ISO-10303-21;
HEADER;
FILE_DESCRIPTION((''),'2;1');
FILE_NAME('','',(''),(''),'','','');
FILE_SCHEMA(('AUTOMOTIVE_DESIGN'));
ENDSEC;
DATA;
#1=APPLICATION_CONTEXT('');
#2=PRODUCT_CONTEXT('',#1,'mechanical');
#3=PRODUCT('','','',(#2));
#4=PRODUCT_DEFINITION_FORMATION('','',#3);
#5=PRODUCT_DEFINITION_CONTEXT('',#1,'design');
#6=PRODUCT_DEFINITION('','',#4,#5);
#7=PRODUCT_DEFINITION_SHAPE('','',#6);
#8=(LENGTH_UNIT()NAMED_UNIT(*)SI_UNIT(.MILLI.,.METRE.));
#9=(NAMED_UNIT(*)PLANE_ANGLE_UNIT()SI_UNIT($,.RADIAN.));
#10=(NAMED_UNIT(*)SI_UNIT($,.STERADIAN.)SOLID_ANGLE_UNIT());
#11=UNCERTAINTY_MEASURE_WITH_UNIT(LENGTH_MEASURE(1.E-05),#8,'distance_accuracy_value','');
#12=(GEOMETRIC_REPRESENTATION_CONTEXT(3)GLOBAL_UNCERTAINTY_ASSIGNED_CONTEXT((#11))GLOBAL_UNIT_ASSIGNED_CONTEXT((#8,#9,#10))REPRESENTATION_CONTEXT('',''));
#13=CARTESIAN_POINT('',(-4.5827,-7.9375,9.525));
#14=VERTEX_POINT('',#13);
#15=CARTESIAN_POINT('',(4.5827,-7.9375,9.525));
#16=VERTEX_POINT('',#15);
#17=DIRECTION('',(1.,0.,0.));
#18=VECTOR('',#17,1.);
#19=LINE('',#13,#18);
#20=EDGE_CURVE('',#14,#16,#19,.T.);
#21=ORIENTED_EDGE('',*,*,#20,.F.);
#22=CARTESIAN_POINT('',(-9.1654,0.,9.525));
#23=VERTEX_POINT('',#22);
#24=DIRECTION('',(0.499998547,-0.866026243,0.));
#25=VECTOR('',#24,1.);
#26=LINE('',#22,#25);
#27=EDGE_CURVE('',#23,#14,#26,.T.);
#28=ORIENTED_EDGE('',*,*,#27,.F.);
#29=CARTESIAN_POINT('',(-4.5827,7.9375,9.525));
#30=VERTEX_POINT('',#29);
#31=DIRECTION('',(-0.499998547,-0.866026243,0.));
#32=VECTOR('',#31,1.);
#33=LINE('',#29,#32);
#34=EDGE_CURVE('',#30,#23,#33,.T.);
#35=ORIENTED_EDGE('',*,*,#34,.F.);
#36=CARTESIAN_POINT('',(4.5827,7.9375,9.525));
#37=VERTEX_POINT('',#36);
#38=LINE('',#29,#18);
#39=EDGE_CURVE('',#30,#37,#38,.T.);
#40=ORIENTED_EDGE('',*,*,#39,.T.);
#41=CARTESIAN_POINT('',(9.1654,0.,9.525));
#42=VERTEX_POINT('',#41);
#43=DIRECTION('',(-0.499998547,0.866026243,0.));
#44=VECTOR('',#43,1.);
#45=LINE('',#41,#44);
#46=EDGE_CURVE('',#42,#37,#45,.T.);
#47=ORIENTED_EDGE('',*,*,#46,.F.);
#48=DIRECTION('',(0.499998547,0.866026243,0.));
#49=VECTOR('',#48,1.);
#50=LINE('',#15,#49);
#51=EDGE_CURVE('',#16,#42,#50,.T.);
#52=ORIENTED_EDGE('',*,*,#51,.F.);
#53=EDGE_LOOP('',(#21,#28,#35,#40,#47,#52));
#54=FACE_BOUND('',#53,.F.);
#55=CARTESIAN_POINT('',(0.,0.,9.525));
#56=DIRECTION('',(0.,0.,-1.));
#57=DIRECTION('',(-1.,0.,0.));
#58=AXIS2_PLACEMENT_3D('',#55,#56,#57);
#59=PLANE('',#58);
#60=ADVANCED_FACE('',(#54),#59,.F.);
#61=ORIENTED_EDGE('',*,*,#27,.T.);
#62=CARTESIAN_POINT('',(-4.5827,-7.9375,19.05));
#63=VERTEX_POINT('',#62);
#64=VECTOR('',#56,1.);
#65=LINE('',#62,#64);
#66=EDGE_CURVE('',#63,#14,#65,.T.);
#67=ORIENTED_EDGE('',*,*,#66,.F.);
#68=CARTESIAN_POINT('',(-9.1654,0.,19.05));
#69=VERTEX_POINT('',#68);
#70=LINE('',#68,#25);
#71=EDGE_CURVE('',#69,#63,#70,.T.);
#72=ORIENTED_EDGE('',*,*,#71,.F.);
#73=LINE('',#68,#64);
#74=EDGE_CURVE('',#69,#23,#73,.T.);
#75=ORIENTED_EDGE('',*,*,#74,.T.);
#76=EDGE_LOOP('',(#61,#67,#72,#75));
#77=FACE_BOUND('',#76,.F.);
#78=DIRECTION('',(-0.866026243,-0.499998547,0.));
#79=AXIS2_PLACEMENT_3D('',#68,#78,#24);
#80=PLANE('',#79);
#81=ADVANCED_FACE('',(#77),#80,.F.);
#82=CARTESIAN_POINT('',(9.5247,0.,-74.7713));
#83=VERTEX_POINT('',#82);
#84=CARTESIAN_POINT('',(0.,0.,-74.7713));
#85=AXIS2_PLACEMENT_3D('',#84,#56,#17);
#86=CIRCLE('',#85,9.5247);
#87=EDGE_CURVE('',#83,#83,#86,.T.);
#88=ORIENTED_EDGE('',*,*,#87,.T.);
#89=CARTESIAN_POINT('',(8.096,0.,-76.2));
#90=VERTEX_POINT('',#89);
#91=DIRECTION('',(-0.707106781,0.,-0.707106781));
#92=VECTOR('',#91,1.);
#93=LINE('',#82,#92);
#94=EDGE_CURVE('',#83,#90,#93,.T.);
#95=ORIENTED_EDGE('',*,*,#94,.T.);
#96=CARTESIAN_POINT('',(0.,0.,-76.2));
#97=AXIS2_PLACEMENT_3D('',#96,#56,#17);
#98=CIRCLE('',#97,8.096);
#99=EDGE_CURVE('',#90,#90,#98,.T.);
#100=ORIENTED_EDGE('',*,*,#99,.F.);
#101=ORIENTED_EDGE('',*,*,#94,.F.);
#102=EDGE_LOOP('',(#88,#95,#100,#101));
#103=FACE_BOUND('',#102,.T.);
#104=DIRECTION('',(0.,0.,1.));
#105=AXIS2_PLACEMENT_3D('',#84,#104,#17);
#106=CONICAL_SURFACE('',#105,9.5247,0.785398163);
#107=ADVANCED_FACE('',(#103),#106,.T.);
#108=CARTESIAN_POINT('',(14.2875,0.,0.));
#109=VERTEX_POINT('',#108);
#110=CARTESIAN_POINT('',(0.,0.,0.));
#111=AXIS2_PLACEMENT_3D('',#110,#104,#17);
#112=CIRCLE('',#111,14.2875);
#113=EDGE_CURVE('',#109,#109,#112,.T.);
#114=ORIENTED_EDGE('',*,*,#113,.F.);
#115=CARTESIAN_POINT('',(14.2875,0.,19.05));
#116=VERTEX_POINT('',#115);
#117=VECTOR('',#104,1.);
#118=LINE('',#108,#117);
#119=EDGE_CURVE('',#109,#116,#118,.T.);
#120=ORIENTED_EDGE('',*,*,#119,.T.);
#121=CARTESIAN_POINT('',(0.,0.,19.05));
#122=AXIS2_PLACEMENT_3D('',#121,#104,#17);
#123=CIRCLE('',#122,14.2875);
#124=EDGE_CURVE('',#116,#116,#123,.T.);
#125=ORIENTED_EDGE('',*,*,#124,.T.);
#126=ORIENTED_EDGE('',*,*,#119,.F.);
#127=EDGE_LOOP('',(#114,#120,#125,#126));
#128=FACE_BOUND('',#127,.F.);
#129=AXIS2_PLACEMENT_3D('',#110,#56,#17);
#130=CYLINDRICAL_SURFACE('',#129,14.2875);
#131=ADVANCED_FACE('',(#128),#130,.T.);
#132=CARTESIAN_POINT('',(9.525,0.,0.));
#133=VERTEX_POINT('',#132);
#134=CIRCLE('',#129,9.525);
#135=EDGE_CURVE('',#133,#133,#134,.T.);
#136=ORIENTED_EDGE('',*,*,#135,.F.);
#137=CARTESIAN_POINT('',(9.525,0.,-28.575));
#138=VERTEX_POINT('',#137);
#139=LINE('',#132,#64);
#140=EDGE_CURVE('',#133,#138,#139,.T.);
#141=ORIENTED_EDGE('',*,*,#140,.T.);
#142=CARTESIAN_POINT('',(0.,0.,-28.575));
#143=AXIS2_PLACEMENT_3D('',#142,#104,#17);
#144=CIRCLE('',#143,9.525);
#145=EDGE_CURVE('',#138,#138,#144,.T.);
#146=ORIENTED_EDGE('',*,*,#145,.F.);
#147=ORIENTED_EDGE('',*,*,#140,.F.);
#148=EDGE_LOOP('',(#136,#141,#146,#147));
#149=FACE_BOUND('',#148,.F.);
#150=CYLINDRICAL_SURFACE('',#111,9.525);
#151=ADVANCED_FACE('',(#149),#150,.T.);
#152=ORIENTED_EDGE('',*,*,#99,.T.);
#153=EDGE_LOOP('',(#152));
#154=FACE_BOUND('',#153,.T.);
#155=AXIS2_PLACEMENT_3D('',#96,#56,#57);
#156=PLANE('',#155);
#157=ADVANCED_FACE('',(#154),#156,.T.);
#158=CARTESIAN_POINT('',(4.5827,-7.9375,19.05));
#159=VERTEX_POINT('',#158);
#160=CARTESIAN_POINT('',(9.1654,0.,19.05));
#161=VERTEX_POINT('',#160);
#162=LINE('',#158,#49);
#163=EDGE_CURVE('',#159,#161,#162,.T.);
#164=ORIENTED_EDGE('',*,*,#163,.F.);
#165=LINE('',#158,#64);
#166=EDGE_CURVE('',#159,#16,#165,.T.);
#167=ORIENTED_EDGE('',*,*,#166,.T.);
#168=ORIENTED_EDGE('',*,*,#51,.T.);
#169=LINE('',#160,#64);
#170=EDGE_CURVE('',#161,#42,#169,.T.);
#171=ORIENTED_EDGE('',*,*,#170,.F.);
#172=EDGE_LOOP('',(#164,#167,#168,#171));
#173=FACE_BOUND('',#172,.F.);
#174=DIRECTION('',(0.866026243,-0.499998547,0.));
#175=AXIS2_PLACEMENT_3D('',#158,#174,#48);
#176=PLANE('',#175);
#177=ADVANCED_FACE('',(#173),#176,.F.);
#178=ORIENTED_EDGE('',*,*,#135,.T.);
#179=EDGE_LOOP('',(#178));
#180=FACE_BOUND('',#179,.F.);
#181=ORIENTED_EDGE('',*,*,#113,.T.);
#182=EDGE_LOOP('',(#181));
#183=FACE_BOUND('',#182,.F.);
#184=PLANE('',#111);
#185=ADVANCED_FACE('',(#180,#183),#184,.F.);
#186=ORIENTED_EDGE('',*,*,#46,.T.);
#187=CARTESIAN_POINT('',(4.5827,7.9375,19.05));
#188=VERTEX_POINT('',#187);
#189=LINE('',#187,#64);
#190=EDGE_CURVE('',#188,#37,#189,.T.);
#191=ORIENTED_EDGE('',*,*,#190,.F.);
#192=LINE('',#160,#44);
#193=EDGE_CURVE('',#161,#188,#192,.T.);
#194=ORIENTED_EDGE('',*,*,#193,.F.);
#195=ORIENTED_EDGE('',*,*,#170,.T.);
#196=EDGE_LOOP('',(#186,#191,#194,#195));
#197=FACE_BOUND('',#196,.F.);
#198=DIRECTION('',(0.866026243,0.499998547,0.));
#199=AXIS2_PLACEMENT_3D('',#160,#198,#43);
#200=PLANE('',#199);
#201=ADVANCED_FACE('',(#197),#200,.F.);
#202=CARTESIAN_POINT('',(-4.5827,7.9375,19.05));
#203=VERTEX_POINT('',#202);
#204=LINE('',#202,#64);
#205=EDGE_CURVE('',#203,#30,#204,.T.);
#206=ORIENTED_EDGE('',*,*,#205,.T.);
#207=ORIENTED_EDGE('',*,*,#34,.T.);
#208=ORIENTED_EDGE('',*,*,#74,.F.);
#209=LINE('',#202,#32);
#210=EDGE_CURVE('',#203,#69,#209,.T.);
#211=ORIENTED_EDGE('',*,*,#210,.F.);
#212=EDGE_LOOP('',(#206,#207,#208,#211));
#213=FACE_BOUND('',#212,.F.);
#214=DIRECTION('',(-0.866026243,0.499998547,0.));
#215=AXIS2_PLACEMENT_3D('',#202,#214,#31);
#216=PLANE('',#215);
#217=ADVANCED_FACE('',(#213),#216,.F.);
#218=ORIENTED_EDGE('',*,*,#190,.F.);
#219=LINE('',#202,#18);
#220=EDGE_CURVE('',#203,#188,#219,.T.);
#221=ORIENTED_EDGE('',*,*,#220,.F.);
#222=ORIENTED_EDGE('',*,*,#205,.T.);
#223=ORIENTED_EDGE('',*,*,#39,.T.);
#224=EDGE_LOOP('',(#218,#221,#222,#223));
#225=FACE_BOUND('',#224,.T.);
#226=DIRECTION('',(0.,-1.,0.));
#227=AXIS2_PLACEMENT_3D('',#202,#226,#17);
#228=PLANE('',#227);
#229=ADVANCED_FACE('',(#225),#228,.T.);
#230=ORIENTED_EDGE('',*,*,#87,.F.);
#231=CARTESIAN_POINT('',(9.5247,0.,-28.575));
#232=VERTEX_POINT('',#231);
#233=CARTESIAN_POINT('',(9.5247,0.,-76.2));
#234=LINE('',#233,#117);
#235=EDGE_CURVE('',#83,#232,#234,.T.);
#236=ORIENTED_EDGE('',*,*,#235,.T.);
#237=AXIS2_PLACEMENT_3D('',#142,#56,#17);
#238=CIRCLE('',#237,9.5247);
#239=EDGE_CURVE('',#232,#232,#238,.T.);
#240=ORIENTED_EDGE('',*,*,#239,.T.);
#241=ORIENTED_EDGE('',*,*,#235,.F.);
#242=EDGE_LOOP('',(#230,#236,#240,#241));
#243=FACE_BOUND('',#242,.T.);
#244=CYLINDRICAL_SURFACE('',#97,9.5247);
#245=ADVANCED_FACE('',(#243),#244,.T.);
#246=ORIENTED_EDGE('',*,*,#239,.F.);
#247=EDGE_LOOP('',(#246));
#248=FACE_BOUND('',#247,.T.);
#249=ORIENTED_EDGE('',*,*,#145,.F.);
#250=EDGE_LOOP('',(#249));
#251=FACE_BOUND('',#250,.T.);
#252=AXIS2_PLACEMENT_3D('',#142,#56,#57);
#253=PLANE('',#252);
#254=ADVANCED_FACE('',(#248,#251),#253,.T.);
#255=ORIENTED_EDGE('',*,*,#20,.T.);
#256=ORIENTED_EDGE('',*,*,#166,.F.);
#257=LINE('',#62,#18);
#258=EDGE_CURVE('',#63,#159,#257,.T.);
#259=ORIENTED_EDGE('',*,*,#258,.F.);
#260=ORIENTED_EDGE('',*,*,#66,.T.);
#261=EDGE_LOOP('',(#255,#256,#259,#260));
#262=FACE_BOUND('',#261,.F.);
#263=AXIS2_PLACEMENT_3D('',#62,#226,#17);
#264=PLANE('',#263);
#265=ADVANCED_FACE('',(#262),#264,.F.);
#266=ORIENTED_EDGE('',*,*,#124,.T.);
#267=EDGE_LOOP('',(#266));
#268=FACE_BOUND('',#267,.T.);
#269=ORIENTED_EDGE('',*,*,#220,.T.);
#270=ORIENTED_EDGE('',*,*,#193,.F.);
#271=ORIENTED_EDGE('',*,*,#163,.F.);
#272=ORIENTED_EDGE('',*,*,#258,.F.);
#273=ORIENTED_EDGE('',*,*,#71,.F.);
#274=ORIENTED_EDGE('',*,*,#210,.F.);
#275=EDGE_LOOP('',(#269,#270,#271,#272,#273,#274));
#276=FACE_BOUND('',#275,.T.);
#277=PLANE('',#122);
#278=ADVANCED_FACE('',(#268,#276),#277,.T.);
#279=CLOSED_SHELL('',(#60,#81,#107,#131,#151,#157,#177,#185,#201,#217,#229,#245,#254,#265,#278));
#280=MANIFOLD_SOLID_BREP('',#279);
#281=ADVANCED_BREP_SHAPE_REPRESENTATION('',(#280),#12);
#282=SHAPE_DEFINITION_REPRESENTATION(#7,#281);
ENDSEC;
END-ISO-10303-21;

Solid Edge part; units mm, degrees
sketch "Sketch1" plane through (0, 0, 0) normal (0, 0, 1) x (1, 0, 0)
  circle A0 centre (0, 0) radius 14.2875
  dimension "D1" = 28.575
extrude "Protrusion1" add sketch "Sketch1" along normal blind 19.05
sketch "Sketch2" plane through (0, 0, 0) normal (0, 0, -1) x (1, 0, 0)
  circle A0 centre (0, 0) radius 9.525
extrude "Protrusion2" add sketch "Sketch2" along normal blind 76.2
sketch "Sketch3" plane through (0, 0, -76.2) normal (0, 0, -1) x (1, 0, 0)
  circle A0 centre (0, 0) radius 9.5247
extrude "Cutout1" cut sketch "Sketch3" against normal blind 47.625 flip side to cut
chamfer "Chamfer_1" distance 1.4287 angle 45 1 edges at (-9.5247, 0, -76.2)
sketch "Sketch4" plane through (0, 0, 19.05) normal (0, 0, 1) x (1, 0, 0)
  line L0 (-4.5827, 7.9375) -> (4.5827, 7.9375)
  line L1 (9.1654, 0) -> (4.5827, 7.9375)
  line L2 (4.5827, -7.9375) -> (9.1654, 0)
  line L3 (-4.5827, -7.9375) -> (4.5827, -7.9375)
  line L4 (-9.1654, 0) -> (-4.5827, -7.9375)
  line L5 (-4.5827, 7.9375) -> (-9.1654, 0)
  dimension "D1" = 15.875
extrude "Cutout2" cut sketch "Sketch4" against normal blind 9.525
properties part number "163318"
